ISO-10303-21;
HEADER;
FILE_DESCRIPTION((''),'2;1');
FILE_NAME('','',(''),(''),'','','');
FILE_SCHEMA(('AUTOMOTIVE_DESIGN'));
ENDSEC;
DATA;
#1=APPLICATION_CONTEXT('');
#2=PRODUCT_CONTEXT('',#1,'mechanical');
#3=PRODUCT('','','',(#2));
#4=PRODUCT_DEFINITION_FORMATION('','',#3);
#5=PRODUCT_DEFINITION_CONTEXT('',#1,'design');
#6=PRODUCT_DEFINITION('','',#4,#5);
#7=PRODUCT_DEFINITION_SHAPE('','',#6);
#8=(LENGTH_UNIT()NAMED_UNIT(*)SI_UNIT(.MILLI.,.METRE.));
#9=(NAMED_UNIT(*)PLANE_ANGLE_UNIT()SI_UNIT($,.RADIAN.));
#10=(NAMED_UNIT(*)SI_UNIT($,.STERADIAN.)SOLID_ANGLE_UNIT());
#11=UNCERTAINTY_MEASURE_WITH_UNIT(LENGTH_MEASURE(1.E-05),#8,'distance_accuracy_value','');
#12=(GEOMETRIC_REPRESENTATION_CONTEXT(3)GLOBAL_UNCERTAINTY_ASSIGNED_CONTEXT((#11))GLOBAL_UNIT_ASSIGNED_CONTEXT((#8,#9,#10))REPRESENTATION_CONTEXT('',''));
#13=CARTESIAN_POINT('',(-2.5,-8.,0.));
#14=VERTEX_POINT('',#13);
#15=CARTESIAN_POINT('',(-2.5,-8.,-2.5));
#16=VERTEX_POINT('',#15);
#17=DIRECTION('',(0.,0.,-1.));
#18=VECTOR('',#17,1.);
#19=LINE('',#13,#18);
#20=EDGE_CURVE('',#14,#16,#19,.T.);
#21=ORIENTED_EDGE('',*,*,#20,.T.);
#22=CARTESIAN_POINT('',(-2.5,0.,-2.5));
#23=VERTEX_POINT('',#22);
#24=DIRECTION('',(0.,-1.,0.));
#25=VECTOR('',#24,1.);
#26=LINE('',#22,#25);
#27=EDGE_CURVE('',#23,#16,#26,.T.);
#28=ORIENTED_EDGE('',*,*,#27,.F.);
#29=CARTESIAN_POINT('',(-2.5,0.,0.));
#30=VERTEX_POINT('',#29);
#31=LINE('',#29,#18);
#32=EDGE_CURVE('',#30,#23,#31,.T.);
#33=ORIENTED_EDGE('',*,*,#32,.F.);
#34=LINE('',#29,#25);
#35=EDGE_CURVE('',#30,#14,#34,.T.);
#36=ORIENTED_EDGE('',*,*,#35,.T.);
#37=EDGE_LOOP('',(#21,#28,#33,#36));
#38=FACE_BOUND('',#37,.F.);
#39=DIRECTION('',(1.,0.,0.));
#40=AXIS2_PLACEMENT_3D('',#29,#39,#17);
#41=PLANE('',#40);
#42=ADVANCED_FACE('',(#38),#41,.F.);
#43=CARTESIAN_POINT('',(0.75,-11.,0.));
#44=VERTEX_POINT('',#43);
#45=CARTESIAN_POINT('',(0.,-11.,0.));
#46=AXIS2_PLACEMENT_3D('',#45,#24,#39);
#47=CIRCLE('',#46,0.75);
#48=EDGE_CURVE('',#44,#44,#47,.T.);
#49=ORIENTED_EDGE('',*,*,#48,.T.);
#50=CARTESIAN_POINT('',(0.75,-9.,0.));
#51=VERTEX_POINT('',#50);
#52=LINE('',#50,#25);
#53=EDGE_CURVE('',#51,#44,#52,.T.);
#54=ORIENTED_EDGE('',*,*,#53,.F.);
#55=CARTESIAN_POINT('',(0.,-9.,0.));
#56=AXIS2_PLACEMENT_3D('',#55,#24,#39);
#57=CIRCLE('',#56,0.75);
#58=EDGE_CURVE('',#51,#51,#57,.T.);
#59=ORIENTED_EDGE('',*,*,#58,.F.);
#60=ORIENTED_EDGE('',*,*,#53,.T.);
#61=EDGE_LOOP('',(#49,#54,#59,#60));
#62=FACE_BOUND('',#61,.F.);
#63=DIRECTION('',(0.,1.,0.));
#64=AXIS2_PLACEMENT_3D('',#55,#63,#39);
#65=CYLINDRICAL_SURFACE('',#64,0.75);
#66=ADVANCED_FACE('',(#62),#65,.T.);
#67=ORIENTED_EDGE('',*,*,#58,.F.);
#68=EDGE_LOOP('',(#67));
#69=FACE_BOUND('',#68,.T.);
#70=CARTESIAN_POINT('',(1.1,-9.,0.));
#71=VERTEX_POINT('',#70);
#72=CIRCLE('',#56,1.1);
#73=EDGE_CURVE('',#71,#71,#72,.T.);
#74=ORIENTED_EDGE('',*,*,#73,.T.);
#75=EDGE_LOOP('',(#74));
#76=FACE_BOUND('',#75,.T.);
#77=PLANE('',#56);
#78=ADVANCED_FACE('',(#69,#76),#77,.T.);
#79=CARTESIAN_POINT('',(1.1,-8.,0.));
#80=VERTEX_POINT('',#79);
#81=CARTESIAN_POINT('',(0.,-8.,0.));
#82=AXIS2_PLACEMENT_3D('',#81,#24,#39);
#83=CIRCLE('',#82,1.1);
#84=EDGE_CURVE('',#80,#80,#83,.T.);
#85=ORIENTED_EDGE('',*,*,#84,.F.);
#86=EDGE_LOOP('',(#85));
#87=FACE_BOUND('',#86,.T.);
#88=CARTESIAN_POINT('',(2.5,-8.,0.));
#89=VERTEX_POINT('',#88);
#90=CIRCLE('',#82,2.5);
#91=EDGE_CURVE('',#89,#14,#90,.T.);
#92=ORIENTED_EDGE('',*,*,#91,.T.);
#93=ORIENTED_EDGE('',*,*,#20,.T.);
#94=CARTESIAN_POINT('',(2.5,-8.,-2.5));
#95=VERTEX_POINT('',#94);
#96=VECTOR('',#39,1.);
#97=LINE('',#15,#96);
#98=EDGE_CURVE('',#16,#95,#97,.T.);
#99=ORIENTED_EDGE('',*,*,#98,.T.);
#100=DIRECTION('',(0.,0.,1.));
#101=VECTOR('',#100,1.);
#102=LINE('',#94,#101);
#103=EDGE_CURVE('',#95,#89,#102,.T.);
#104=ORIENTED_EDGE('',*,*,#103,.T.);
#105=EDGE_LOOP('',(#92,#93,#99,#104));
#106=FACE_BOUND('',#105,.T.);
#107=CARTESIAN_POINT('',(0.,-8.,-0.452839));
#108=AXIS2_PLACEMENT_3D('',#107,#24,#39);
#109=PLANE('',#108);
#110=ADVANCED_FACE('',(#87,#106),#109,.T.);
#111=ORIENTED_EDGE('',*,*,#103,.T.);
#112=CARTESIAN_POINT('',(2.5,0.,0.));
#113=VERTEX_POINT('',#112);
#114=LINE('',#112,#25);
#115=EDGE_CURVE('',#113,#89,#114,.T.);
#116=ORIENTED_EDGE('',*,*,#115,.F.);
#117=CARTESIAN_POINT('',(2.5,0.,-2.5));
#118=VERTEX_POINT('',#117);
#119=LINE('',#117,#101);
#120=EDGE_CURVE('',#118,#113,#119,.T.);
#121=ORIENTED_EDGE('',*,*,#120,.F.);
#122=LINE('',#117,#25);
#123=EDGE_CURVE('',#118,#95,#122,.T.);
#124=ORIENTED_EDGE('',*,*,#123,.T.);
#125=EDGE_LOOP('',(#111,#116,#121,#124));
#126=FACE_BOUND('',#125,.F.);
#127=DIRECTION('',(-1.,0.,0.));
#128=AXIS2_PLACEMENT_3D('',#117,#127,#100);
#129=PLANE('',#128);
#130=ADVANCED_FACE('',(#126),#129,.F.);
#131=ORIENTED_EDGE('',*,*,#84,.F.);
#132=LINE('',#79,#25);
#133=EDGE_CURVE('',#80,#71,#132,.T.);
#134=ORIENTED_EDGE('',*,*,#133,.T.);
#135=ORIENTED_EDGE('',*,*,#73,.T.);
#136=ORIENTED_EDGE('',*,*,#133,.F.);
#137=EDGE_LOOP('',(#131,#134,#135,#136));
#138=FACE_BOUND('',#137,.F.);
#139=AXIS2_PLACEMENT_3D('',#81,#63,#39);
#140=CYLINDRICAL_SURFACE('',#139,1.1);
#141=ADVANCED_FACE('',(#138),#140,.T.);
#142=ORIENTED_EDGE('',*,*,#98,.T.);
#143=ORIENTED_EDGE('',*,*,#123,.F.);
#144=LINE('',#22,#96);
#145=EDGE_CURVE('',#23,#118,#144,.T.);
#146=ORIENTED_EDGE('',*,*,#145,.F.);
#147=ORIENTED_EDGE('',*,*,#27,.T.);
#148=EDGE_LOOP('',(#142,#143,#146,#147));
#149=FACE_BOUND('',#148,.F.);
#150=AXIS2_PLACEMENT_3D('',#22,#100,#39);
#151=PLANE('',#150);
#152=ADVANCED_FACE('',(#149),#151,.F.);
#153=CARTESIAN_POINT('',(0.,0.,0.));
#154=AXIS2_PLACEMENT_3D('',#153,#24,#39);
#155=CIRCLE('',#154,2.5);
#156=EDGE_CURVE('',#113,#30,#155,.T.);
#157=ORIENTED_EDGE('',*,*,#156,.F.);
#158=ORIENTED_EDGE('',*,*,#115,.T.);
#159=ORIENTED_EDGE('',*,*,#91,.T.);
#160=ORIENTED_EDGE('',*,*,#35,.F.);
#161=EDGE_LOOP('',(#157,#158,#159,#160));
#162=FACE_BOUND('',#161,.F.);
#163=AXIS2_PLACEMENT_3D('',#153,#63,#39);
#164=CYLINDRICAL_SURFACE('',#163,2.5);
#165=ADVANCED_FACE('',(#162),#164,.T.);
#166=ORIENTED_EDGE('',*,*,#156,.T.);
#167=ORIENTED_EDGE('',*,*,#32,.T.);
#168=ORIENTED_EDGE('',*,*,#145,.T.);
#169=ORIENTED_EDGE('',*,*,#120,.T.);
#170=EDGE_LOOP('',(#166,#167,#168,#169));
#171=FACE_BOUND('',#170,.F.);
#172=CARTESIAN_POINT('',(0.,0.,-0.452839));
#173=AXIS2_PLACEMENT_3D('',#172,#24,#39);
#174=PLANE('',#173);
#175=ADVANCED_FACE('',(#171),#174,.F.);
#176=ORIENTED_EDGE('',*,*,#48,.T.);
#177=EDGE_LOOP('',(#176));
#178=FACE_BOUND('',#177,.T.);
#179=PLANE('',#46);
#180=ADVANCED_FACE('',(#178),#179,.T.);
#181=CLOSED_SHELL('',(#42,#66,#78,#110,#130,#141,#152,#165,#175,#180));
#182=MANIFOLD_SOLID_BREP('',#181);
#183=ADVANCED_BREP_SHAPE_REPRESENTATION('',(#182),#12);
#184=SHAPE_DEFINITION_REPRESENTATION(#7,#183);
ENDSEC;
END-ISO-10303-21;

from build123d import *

# Parameters (mm, degrees)
F1_DEPTH = 8
F2_R     = 1.1
F3_DEPTH = 1
F4_R     = 0.75
F5_DEPTH = 2


with BuildPart() as f1:
    # F0 (on Front) → F1 (new body)
    with BuildSketch(Plane.XZ):
        with BuildLine():
            ThreePointArc((2.5, 0), (0, 2.5), (-2.5, 0))
            Line((-2.5, 0), (-2.5, -2.5))
            Line((-2.5, -2.5), (2.5, -2.5))
            Line((2.5, -2.5), (2.5, 0))
        make_face()
    extrude(amount=F1_DEPTH)

    # F2 (on face) → F3 (join)
    with BuildSketch(Plane.XZ.offset(8)):
        Circle(F2_R)
    extrude(amount=F3_DEPTH)

    # F4 (on face) → F5 (join)
    with BuildSketch(Plane.XZ.offset(9)):
        Circle(F4_R)
    extrude(amount=F5_DEPTH)


solid = f1.part
